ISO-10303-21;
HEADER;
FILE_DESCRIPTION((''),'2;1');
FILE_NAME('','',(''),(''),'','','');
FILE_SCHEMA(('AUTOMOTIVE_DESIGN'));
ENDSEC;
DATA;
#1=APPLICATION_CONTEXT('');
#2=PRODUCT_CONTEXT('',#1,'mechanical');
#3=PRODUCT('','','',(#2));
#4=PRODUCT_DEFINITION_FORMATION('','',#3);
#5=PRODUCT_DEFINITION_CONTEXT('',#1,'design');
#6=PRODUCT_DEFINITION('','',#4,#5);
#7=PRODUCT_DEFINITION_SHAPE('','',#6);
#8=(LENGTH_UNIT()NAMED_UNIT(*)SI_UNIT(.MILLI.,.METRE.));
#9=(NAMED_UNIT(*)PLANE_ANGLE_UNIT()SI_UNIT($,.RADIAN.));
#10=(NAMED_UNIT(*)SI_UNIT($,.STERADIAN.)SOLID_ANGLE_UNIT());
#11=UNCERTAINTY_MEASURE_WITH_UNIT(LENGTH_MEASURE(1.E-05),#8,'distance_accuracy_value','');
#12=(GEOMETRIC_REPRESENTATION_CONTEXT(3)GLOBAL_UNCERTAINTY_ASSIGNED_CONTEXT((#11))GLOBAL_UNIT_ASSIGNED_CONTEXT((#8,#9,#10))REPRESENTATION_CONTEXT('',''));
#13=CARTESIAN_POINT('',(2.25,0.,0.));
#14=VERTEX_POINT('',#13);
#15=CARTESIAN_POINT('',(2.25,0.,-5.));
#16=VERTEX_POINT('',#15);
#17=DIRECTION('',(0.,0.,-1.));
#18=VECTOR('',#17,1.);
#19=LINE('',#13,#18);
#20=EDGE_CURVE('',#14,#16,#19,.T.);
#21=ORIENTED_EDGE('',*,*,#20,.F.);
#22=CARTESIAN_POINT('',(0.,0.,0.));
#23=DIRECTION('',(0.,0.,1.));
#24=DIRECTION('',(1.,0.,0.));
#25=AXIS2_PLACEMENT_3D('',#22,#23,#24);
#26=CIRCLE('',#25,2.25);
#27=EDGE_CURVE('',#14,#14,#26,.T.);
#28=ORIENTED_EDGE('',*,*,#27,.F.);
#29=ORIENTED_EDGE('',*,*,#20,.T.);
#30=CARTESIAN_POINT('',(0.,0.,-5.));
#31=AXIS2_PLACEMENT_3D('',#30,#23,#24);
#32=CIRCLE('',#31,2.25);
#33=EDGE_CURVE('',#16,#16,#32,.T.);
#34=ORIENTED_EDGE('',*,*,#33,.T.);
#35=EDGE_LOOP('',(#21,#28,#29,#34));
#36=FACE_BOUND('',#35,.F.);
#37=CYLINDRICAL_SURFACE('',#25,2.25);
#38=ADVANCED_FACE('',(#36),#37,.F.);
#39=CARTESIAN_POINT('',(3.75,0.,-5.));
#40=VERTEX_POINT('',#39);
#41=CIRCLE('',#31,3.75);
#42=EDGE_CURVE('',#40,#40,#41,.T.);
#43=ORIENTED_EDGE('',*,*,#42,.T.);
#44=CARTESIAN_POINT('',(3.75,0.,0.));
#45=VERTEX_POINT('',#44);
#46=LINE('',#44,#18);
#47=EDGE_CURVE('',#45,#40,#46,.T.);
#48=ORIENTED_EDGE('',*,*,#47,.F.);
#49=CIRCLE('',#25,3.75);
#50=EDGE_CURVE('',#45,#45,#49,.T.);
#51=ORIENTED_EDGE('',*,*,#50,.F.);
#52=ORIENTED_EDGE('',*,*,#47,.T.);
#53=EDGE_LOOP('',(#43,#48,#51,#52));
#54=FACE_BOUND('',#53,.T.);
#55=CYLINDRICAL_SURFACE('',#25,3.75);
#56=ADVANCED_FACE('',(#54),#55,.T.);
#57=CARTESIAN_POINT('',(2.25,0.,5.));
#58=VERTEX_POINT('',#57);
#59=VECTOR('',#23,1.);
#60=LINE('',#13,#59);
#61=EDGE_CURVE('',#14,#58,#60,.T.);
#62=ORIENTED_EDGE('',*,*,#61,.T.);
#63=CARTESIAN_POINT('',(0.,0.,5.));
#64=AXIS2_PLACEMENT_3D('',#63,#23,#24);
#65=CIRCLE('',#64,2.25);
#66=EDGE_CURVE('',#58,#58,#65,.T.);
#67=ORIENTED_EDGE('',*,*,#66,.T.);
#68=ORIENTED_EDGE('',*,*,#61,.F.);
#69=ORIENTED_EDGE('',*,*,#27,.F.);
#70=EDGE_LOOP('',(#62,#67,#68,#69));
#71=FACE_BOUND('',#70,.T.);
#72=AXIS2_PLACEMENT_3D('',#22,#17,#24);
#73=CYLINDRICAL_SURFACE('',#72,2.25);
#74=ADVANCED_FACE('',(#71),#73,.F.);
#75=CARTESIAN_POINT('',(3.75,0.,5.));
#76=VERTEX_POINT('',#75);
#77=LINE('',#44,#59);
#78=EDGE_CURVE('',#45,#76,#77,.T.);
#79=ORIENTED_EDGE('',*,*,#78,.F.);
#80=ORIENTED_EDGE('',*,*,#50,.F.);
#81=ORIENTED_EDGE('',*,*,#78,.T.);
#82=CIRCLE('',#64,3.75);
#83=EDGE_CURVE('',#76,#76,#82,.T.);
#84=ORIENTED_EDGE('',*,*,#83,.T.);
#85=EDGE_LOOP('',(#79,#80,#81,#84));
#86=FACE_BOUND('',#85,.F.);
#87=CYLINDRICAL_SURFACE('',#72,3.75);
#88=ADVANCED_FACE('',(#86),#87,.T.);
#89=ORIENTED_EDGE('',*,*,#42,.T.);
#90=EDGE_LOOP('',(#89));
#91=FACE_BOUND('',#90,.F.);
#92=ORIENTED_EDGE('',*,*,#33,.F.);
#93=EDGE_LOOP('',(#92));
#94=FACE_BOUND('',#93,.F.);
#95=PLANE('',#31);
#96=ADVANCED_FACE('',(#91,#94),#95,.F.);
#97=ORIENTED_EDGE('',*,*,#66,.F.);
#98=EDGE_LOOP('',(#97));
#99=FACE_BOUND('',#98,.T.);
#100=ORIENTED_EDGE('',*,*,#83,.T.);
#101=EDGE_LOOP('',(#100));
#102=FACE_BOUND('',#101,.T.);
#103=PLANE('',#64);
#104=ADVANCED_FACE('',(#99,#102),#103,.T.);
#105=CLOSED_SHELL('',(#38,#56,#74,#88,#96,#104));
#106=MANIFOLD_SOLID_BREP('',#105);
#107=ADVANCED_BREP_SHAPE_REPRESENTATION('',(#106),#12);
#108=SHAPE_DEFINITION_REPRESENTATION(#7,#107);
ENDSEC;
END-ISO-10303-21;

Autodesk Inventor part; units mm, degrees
ref_plane "YZ Plane" through (0, 0, 0) normal (1, 0, 0) x (0, 1, 0)
ref_plane "XZ Plane" through (0, 0, 0) normal (0, 1, 0) x (-1, 0, 0)
ref_plane "XY Plane" through (0, 0, 0) normal (0, 0, 1) x (1, 0, 0)
sketch "Boceto39" plane through (0, 0, 0) normal (0, 0, 1) x (1, 0, 0)
  circle A0 centre (0, 0) radius 2.25
  circle A1 centre (0, 0) radius 3.75
  dimension "d373" = 4.5
  dimension "d374" = 7.5
extrude "Extrusión13" add sketch "Boceto39" along normal mid plane 10
properties part number "PP-I3D-0002"
